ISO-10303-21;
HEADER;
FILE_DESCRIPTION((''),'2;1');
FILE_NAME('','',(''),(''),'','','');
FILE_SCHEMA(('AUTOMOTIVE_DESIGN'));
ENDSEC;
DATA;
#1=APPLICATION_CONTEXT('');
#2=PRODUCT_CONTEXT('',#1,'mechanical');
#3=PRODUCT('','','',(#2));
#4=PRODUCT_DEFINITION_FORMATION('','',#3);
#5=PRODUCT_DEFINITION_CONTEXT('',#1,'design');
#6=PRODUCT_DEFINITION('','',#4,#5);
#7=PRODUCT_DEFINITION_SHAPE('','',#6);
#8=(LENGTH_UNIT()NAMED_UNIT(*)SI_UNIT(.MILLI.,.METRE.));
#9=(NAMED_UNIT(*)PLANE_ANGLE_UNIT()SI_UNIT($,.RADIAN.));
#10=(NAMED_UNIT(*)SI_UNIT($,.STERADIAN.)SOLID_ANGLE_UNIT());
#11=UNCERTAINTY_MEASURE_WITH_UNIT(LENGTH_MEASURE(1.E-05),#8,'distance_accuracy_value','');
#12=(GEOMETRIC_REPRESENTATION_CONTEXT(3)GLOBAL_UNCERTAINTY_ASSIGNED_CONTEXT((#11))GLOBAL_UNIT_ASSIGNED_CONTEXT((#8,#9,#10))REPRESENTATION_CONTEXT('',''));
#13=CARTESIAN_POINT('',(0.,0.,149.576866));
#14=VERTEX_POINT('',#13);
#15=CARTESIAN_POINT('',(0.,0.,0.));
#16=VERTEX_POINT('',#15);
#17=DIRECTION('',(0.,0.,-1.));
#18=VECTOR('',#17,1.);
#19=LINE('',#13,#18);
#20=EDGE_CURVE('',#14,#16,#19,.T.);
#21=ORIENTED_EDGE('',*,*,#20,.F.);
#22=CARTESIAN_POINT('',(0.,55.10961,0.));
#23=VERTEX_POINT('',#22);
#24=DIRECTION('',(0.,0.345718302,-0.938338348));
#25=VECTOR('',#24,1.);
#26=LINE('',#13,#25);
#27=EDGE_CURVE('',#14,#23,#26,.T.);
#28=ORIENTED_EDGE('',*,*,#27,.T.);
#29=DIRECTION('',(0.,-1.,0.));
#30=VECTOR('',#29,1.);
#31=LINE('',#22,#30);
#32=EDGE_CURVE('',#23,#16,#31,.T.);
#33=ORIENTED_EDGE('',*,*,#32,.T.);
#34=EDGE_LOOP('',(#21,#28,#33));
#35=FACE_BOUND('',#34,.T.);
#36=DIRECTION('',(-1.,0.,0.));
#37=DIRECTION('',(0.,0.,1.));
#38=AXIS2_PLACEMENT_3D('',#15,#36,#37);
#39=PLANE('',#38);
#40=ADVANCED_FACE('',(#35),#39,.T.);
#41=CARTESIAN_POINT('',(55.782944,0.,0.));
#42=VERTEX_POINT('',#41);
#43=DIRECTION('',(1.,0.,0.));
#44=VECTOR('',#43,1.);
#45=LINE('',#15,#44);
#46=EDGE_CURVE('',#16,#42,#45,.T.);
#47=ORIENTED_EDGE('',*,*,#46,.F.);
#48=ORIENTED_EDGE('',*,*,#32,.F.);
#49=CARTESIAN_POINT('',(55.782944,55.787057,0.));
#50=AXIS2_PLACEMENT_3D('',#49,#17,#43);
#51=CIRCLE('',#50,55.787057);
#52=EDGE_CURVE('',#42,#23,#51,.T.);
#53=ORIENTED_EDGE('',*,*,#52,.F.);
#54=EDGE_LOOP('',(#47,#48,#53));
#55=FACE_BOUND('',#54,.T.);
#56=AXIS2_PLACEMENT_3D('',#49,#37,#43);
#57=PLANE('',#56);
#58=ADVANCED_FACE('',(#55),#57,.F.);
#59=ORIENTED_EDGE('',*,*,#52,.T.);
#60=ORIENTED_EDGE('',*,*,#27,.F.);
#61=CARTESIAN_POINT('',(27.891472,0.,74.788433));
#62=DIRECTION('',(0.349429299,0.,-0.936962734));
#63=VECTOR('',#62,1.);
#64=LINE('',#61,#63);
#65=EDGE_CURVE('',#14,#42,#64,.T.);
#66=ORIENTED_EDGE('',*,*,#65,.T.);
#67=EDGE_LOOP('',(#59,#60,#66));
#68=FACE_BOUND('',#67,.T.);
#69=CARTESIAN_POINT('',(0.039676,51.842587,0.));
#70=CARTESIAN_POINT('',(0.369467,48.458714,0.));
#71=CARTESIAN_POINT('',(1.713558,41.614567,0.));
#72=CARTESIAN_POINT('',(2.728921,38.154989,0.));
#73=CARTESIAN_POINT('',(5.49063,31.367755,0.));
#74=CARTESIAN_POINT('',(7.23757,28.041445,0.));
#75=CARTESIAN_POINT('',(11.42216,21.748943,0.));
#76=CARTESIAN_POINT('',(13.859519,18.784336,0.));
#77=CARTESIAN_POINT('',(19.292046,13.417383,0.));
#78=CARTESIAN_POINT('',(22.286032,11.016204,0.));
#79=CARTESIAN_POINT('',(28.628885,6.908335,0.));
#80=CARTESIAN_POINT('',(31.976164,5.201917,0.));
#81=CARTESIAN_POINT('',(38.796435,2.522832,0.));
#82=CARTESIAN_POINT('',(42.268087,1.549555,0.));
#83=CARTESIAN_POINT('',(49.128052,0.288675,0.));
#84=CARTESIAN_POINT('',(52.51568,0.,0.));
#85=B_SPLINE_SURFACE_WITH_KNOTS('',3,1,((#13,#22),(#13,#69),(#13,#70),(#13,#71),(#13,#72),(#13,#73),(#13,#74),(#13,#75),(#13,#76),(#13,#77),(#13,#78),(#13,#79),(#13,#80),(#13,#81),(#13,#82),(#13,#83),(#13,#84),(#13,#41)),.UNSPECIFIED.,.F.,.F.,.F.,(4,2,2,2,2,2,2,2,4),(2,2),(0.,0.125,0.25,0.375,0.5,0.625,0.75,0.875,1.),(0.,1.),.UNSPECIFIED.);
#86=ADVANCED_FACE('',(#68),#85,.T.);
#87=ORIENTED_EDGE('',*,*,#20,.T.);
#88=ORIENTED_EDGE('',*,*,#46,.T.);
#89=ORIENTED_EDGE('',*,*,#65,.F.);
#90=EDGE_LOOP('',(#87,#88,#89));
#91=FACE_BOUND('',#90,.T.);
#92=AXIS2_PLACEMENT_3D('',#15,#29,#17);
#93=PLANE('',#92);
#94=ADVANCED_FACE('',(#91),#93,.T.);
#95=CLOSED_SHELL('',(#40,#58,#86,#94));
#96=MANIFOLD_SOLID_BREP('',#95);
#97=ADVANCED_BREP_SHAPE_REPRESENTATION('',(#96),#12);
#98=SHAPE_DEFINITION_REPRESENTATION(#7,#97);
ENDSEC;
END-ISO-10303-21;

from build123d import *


with BuildPart() as part:
    # Esquisse1 → Lissage1 section 0
    with BuildSketch(Plane.XY, mode=Mode.PRIVATE) as lissage1_s0:
        with BuildLine():
            Line((0, 55.10960961), (0, 0))
            Line((0, 0), (55.78294362, 0))
            ThreePointArc((55.78294362, 0), (16.575782698, 16.100859618), (0, 55.10960961))
        make_face()
    loft([Vertex(0, 0, 149.576865659), lissage1_s0.sketch])


solid = part.part
